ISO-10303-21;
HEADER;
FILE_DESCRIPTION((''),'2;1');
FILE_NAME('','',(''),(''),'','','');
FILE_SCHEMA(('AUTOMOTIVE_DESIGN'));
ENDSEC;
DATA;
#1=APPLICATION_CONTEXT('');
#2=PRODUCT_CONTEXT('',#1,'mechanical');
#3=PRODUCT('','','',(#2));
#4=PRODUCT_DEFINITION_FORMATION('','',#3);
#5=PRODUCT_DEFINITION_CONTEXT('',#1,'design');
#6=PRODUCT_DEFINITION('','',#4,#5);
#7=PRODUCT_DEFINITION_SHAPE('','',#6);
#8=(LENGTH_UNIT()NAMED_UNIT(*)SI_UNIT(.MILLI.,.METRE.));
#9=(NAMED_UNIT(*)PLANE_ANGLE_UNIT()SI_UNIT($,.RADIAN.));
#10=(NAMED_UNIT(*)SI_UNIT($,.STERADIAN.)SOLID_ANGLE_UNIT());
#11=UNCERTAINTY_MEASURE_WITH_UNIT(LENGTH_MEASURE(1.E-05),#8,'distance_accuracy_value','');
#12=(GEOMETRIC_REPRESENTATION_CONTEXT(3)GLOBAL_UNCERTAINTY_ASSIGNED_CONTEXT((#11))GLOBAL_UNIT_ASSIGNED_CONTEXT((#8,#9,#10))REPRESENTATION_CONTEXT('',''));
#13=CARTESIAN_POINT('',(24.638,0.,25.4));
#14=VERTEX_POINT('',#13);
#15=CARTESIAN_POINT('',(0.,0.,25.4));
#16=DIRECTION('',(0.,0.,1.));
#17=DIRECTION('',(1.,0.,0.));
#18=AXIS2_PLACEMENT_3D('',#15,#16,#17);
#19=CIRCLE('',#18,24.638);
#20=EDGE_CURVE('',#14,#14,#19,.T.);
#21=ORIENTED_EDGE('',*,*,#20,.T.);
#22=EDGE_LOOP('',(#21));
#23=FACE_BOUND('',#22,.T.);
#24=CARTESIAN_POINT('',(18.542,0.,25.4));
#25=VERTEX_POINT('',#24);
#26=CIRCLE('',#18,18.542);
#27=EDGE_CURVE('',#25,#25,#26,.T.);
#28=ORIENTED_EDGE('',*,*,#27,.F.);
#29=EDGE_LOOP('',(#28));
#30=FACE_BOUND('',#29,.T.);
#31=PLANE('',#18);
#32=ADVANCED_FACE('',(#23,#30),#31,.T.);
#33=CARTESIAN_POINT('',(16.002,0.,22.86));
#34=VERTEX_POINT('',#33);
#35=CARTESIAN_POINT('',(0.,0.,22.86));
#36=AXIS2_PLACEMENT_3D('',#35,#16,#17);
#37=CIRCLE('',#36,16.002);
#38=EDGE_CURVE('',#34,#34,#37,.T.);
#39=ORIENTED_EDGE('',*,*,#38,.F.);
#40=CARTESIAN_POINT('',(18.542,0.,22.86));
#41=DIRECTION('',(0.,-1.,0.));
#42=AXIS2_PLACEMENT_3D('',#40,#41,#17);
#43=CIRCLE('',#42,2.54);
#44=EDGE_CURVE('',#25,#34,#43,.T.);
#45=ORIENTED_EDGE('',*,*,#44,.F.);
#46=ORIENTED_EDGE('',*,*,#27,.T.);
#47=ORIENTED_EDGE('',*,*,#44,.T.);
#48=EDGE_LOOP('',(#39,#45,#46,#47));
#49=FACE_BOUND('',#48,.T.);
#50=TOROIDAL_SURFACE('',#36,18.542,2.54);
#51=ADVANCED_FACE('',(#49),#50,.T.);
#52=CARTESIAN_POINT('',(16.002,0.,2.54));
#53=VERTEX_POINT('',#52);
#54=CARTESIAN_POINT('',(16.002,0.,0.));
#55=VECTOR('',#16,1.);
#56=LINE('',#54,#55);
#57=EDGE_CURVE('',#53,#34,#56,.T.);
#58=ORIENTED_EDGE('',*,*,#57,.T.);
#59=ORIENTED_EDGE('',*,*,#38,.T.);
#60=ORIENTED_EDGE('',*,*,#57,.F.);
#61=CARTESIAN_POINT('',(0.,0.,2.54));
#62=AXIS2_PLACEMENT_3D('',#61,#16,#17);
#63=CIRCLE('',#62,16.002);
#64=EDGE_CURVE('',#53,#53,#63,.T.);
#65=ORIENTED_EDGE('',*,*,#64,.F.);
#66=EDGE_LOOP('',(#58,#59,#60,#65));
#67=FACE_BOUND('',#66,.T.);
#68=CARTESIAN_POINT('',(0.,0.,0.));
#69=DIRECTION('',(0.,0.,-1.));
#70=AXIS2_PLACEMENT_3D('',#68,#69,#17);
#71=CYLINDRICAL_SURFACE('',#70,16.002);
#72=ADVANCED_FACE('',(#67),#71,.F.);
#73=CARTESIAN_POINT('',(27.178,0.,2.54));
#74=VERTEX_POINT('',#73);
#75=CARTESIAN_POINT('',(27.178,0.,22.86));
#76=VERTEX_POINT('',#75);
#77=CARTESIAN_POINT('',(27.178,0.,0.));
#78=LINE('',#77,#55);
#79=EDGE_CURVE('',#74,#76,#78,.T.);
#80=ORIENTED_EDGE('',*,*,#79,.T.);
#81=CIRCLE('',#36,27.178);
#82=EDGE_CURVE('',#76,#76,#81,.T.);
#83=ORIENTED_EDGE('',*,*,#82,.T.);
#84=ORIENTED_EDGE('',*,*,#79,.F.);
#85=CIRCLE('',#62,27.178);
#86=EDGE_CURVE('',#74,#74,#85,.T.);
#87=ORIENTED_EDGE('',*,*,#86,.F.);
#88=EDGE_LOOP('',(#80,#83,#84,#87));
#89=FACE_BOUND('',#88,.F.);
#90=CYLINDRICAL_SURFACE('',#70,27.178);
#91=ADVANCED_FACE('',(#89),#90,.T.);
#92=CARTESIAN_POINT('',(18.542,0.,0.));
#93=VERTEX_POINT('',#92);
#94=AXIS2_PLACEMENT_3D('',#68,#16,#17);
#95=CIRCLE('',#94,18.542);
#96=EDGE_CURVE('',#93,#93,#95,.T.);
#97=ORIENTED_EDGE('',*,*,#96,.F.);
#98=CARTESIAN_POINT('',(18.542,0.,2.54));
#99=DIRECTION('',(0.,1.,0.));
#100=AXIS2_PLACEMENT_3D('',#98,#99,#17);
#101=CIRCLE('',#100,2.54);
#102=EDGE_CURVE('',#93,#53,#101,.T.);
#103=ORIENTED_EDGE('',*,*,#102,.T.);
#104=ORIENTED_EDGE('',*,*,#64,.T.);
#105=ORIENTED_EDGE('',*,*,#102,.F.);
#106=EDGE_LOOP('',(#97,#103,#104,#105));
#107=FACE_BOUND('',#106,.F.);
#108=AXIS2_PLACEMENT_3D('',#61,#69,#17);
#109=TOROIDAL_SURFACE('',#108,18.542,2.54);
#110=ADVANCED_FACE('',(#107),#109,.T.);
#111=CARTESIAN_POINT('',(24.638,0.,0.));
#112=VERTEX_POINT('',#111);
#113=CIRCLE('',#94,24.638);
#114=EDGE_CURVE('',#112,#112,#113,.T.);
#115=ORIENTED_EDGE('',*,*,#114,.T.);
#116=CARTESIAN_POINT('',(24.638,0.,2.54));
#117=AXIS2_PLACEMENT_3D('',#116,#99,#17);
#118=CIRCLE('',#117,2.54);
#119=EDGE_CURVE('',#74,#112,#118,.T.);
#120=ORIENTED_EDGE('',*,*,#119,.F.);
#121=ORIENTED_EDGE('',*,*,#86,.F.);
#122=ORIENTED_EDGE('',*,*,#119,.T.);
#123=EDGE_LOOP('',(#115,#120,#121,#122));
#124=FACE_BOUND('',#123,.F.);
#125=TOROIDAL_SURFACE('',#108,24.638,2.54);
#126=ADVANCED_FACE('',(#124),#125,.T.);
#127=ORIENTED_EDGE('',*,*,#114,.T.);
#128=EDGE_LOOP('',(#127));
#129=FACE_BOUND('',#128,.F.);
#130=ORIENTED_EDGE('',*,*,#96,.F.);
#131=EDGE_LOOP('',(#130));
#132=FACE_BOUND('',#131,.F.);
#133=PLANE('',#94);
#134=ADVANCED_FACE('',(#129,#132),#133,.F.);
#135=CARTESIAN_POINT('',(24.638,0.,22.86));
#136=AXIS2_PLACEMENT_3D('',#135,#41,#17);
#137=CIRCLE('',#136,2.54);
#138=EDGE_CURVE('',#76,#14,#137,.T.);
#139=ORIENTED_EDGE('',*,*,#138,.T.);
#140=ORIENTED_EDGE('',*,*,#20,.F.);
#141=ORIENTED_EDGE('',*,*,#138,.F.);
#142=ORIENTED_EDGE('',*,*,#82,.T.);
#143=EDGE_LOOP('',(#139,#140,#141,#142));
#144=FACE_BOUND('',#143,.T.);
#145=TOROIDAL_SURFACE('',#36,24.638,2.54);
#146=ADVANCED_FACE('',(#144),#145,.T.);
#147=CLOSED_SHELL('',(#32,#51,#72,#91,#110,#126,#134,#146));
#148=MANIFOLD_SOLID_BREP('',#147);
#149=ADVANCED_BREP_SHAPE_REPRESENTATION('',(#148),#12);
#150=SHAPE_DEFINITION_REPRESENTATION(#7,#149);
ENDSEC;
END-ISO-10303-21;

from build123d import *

# Parameters (mm, degrees)
F0_R     = 27.178
F0_R_2   = 16.002
F1_DEPTH = 25.4
F2_R     = 2.54
F3_R     = 2.54


with BuildPart() as f1:
    # F0 (on Top) → F1 (new body)
    with BuildSketch(Plane.XY):
        Circle(F0_R)
        Circle(F0_R_2, mode=Mode.SUBTRACT)
    extrude(amount=F1_DEPTH)

    # F2
    f2_edges = [f1.edges().sort_by_distance(p)[0] for p in [
        (-27.178, 0, 0),
    ]]
    fillet(f2_edges, radius=F2_R)

    # F3
    f3_edges = [f1.edges().sort_by_distance(p)[0] for p in [
        (-16.002, 0, 0),
        (-27.178, 0, 25.4),
        (-16.002, 0, 25.4),
    ]]
    fillet(f3_edges, radius=F3_R)


solid = f1.part
